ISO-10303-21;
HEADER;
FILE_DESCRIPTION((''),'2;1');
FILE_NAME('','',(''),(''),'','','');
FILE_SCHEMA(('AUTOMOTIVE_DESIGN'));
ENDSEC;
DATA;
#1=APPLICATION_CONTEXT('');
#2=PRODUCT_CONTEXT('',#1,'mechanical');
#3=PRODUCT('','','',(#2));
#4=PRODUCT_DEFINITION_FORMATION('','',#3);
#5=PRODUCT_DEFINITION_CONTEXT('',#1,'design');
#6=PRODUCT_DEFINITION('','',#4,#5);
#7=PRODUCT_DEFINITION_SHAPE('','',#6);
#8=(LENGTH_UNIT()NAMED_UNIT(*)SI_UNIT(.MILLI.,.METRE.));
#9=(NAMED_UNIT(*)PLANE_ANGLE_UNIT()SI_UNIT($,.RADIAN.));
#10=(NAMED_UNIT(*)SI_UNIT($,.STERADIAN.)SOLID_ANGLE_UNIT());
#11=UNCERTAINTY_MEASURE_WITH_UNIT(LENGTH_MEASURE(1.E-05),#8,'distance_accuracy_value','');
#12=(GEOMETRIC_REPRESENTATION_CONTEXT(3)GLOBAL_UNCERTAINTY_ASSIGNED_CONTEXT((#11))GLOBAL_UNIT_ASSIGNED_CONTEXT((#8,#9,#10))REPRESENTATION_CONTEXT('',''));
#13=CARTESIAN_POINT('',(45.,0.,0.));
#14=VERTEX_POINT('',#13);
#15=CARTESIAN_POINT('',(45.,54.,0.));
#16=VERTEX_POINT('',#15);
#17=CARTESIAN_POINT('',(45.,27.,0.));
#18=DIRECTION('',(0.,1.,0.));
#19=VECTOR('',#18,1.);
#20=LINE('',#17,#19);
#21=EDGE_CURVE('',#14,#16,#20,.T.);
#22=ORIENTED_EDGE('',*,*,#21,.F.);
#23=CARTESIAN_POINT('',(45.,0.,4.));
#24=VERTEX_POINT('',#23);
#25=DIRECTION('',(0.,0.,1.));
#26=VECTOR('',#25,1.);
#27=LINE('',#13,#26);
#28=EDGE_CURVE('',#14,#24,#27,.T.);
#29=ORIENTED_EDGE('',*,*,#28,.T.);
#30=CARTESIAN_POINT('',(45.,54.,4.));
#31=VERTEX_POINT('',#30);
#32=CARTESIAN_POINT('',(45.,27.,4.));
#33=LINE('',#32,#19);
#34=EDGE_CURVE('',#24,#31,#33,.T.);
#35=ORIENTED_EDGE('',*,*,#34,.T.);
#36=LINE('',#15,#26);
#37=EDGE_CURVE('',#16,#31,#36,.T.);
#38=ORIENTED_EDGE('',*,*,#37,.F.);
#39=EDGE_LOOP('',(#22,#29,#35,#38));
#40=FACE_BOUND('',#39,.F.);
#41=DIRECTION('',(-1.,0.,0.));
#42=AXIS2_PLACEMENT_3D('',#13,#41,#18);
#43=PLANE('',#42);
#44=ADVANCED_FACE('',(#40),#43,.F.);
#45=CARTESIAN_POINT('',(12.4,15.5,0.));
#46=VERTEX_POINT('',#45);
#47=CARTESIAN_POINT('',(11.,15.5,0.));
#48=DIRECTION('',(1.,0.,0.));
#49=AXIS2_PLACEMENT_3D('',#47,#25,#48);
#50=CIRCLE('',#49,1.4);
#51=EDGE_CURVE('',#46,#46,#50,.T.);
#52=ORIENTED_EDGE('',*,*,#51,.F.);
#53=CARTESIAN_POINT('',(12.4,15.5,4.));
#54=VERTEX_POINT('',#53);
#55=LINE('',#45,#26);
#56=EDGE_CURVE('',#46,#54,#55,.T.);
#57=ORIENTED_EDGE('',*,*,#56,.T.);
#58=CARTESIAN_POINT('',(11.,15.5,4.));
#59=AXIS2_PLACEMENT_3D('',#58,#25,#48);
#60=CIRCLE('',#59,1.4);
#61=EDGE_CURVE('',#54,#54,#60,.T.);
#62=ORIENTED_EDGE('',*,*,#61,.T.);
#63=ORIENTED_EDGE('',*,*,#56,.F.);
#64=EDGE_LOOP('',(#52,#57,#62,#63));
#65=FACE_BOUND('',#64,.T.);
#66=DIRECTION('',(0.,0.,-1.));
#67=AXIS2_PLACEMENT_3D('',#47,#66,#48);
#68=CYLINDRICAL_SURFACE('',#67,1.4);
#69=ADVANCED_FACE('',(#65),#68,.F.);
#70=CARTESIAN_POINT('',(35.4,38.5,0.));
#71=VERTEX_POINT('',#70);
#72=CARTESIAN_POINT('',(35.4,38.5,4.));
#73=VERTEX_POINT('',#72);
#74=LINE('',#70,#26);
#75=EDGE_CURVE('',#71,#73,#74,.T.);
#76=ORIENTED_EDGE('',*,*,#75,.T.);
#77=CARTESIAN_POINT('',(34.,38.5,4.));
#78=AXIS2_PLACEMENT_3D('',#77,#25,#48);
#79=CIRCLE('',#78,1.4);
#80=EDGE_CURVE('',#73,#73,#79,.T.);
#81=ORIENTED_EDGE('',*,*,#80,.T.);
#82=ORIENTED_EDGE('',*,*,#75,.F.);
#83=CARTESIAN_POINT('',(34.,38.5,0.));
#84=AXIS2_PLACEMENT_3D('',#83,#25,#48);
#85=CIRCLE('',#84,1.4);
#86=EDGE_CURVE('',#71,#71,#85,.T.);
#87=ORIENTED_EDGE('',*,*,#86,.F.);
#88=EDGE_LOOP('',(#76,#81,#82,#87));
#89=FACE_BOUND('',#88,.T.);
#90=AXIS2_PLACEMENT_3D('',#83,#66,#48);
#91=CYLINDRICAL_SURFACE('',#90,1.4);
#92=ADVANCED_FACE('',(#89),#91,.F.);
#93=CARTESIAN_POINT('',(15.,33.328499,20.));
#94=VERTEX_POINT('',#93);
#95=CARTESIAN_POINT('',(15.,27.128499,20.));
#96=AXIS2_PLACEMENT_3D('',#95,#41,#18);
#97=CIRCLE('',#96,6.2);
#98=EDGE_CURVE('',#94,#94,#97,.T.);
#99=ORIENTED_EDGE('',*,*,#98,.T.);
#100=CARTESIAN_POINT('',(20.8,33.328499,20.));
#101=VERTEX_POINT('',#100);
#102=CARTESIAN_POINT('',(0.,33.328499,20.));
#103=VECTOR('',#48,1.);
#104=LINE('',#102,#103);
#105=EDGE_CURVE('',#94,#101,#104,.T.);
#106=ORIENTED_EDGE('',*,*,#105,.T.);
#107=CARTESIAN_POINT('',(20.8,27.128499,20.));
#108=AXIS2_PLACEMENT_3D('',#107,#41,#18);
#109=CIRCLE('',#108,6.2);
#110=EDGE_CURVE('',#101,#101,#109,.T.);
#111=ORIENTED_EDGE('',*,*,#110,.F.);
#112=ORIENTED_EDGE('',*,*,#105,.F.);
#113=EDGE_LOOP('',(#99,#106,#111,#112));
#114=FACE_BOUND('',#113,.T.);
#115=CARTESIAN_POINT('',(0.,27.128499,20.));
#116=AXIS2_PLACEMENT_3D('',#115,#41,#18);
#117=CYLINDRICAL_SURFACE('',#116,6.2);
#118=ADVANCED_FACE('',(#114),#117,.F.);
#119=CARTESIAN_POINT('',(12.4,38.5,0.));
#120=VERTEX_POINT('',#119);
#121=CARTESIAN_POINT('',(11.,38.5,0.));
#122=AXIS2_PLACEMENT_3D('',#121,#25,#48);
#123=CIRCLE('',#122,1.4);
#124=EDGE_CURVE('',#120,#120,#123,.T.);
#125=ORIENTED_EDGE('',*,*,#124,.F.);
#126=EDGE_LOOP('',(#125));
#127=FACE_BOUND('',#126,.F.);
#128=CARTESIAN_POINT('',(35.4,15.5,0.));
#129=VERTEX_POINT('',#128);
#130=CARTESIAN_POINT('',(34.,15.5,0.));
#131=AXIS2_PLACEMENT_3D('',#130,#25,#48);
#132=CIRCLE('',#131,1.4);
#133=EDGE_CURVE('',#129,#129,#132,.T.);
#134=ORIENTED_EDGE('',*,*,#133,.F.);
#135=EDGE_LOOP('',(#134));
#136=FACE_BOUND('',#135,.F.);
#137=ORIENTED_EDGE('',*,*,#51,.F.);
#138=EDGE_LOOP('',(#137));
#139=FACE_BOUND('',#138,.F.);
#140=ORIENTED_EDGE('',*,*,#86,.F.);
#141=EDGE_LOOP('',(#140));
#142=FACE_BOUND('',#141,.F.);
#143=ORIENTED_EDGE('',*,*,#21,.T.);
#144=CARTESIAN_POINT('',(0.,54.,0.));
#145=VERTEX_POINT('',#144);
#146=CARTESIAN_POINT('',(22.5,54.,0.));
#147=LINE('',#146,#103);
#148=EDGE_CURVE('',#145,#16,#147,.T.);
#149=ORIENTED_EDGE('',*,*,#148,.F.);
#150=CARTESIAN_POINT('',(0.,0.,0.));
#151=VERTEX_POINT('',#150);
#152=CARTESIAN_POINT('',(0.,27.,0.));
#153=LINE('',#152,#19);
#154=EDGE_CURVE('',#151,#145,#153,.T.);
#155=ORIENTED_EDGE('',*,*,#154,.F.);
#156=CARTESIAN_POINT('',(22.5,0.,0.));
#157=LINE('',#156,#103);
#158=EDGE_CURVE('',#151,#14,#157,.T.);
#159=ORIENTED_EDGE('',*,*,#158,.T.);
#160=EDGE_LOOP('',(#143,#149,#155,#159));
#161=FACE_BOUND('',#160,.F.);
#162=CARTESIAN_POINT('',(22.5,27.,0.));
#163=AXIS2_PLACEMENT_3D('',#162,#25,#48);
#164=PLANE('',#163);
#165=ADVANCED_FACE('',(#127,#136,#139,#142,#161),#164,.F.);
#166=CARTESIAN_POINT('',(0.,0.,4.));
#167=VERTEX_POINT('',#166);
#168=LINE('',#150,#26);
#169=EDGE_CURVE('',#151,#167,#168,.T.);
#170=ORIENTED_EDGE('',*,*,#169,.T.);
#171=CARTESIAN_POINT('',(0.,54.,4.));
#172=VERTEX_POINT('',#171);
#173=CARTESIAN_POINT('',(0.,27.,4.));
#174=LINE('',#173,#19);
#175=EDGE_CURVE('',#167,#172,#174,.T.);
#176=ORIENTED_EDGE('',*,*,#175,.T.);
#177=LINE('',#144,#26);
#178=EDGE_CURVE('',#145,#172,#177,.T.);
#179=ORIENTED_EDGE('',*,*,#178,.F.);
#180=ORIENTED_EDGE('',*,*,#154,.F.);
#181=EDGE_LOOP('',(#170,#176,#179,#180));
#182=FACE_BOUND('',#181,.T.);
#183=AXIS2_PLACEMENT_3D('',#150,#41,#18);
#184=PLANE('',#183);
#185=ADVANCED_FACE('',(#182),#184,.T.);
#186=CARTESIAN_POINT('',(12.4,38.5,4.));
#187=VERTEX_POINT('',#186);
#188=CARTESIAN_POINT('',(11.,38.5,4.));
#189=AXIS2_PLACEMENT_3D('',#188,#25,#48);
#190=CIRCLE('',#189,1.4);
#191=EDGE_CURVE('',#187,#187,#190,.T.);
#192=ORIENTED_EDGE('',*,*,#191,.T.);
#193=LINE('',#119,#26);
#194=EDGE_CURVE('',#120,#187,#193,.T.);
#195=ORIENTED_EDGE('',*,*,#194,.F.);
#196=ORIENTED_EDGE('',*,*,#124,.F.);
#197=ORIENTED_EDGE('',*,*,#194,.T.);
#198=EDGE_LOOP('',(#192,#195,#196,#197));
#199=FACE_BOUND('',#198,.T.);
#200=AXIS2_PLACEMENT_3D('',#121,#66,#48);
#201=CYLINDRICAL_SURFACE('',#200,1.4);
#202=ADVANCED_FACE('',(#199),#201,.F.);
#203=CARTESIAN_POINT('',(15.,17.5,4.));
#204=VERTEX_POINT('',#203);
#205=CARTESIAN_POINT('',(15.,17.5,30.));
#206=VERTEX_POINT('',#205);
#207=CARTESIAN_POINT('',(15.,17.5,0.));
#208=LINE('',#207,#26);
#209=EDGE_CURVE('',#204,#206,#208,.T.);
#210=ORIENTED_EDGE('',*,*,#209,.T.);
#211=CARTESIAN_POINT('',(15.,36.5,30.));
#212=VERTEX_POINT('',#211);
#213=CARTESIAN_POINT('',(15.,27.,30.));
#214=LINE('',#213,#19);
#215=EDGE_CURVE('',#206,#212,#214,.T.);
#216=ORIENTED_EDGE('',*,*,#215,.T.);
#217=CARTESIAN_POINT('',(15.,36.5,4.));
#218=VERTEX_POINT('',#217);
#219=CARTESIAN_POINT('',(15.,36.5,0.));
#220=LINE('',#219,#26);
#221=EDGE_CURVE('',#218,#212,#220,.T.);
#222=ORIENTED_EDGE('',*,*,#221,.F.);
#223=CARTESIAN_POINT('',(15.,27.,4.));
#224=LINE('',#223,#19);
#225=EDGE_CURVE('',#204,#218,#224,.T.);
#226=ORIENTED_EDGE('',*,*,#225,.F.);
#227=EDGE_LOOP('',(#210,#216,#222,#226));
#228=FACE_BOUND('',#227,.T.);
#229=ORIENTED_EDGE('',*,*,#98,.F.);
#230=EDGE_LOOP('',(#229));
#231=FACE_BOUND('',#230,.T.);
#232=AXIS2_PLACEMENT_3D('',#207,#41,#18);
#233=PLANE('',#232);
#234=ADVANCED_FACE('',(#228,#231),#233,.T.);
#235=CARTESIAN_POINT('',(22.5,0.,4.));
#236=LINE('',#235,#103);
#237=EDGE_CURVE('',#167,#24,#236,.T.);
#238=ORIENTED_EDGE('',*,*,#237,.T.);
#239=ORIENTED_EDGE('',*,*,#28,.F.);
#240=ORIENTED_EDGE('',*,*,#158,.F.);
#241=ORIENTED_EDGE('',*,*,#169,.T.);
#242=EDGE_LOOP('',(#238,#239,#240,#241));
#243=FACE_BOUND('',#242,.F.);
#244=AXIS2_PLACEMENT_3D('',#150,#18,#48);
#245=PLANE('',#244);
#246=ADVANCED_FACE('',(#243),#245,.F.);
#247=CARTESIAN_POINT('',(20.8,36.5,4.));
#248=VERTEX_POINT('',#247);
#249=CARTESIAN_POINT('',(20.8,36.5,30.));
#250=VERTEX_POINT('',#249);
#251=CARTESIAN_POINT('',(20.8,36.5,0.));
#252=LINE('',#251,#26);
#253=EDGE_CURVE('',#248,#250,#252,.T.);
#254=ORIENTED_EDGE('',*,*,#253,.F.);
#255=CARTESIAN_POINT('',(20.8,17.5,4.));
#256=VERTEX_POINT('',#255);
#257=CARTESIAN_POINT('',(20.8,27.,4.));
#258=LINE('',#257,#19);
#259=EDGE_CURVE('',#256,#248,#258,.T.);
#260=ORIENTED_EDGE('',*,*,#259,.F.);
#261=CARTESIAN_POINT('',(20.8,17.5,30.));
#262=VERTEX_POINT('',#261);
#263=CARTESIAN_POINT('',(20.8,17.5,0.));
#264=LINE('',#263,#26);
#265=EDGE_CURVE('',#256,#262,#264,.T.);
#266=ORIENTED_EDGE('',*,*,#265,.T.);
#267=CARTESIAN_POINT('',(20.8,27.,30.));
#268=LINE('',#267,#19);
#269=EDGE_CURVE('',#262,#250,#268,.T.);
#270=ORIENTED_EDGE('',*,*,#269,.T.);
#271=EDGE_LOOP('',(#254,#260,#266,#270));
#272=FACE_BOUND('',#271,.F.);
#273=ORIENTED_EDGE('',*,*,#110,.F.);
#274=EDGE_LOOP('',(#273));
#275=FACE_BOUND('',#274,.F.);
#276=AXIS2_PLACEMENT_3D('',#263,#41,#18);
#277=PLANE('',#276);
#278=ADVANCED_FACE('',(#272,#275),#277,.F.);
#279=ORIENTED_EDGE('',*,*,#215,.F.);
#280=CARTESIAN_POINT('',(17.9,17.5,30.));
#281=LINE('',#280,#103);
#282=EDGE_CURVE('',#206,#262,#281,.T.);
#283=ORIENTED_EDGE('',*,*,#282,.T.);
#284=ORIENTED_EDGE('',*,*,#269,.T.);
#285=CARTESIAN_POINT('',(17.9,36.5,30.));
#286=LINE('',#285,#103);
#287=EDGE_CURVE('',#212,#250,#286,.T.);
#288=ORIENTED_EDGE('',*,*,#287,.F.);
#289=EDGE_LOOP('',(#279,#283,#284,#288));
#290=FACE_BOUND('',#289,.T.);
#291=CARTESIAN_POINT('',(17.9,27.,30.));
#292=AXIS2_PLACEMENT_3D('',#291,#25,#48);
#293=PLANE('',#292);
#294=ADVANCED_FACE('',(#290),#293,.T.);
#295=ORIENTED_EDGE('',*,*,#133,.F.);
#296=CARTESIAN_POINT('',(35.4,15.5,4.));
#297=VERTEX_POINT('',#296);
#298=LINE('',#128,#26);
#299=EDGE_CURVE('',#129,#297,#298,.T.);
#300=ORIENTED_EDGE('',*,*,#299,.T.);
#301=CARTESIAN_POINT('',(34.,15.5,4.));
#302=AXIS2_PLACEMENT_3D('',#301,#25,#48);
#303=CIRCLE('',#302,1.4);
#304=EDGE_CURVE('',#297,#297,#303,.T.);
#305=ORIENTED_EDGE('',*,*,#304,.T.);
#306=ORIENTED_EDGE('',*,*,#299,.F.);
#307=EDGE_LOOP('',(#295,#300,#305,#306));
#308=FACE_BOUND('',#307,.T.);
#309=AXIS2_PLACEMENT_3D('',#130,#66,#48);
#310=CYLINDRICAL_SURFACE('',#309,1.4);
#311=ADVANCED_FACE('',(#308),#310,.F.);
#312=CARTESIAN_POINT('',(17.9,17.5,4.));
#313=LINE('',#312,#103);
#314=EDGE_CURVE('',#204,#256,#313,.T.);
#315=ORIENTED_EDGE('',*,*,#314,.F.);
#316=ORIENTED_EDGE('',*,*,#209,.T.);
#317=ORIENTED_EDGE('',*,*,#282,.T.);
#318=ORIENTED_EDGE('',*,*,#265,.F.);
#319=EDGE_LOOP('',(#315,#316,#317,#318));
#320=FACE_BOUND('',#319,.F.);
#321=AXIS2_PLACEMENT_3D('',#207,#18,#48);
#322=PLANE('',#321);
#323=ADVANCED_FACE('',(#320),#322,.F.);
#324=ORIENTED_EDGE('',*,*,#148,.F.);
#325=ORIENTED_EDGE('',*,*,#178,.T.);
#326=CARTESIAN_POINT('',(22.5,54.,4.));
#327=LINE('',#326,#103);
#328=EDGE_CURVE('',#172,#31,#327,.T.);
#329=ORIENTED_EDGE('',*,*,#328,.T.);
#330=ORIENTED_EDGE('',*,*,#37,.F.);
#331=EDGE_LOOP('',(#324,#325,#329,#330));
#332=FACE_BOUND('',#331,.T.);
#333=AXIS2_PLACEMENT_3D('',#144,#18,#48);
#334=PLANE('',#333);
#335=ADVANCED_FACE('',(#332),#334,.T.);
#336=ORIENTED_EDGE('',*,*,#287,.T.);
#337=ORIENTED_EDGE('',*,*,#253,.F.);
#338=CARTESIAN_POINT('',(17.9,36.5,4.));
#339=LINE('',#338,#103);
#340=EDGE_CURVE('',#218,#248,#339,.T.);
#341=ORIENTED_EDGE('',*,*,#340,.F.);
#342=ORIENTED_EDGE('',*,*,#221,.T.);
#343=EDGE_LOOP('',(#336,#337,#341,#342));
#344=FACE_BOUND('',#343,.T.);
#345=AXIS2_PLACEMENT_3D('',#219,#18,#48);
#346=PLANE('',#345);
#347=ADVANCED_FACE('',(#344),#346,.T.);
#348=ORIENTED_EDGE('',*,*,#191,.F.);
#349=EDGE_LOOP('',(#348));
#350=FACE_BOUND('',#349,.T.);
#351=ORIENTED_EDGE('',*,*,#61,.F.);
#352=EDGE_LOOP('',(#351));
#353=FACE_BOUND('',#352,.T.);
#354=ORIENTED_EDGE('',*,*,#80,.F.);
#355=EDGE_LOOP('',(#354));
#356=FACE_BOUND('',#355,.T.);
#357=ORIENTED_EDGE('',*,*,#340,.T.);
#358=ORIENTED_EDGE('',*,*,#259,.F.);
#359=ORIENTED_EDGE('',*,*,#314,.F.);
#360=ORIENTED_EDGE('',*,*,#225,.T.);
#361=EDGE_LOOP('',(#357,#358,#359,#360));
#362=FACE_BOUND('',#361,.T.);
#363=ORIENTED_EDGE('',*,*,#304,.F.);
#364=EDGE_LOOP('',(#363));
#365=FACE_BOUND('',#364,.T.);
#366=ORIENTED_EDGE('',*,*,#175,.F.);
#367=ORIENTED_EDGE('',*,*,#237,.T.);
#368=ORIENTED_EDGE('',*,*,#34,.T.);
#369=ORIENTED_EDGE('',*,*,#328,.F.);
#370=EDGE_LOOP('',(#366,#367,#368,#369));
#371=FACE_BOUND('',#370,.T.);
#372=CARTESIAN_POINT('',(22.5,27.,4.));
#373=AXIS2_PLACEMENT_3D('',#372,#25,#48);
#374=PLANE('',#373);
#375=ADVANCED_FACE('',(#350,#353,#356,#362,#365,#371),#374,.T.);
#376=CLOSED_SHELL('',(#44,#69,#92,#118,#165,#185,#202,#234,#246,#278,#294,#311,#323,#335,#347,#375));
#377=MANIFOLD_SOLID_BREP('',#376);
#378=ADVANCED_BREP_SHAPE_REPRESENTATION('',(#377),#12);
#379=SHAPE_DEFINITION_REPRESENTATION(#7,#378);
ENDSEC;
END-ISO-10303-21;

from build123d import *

# Parameters (mm, degrees)
F0_W     = 45
F0_H     = 54
F0_R     = 1.4
F0_W_2   = 5.8
F0_H_2   = 19
F1_DEPTH = 4
F2_DEPTH = 30
F3_R     = 6.2
F4_DEPTH = 25


with BuildPart() as f1:
    # F0 (on Top) → F1 (new body)
    with BuildSketch(Plane.XY):
        with Locations((22.5, 27)):
            Rectangle(F0_W, F0_H)
        with Locations((11, 15.5)):
            Circle(F0_R, mode=Mode.SUBTRACT)
        with Locations((34, 15.5)):
            Circle(F0_R, mode=Mode.SUBTRACT)
        with Locations((11, 38.5)):
            Circle(F0_R, mode=Mode.SUBTRACT)
        with Locations((17.9, 27)):
            Rectangle(F0_W_2, F0_H_2, mode=Mode.SUBTRACT)
        with Locations((34, 38.5)):
            Circle(F0_R, mode=Mode.SUBTRACT)
    extrude(amount=F1_DEPTH)

    # F0 (on Top) → F2 (join)
    with BuildSketch(Plane.XY):
        with Locations((17.9, 27)):
            Rectangle(F0_W_2, F0_H_2)
    extrude(amount=F2_DEPTH)

    # F3 (on Right) → F4 (cut)
    with BuildSketch(Plane.YZ):
        with Locations((27.128499, 20)):
            Circle(F3_R)
    extrude(amount=F4_DEPTH, mode=Mode.SUBTRACT)


solid = f1.part
